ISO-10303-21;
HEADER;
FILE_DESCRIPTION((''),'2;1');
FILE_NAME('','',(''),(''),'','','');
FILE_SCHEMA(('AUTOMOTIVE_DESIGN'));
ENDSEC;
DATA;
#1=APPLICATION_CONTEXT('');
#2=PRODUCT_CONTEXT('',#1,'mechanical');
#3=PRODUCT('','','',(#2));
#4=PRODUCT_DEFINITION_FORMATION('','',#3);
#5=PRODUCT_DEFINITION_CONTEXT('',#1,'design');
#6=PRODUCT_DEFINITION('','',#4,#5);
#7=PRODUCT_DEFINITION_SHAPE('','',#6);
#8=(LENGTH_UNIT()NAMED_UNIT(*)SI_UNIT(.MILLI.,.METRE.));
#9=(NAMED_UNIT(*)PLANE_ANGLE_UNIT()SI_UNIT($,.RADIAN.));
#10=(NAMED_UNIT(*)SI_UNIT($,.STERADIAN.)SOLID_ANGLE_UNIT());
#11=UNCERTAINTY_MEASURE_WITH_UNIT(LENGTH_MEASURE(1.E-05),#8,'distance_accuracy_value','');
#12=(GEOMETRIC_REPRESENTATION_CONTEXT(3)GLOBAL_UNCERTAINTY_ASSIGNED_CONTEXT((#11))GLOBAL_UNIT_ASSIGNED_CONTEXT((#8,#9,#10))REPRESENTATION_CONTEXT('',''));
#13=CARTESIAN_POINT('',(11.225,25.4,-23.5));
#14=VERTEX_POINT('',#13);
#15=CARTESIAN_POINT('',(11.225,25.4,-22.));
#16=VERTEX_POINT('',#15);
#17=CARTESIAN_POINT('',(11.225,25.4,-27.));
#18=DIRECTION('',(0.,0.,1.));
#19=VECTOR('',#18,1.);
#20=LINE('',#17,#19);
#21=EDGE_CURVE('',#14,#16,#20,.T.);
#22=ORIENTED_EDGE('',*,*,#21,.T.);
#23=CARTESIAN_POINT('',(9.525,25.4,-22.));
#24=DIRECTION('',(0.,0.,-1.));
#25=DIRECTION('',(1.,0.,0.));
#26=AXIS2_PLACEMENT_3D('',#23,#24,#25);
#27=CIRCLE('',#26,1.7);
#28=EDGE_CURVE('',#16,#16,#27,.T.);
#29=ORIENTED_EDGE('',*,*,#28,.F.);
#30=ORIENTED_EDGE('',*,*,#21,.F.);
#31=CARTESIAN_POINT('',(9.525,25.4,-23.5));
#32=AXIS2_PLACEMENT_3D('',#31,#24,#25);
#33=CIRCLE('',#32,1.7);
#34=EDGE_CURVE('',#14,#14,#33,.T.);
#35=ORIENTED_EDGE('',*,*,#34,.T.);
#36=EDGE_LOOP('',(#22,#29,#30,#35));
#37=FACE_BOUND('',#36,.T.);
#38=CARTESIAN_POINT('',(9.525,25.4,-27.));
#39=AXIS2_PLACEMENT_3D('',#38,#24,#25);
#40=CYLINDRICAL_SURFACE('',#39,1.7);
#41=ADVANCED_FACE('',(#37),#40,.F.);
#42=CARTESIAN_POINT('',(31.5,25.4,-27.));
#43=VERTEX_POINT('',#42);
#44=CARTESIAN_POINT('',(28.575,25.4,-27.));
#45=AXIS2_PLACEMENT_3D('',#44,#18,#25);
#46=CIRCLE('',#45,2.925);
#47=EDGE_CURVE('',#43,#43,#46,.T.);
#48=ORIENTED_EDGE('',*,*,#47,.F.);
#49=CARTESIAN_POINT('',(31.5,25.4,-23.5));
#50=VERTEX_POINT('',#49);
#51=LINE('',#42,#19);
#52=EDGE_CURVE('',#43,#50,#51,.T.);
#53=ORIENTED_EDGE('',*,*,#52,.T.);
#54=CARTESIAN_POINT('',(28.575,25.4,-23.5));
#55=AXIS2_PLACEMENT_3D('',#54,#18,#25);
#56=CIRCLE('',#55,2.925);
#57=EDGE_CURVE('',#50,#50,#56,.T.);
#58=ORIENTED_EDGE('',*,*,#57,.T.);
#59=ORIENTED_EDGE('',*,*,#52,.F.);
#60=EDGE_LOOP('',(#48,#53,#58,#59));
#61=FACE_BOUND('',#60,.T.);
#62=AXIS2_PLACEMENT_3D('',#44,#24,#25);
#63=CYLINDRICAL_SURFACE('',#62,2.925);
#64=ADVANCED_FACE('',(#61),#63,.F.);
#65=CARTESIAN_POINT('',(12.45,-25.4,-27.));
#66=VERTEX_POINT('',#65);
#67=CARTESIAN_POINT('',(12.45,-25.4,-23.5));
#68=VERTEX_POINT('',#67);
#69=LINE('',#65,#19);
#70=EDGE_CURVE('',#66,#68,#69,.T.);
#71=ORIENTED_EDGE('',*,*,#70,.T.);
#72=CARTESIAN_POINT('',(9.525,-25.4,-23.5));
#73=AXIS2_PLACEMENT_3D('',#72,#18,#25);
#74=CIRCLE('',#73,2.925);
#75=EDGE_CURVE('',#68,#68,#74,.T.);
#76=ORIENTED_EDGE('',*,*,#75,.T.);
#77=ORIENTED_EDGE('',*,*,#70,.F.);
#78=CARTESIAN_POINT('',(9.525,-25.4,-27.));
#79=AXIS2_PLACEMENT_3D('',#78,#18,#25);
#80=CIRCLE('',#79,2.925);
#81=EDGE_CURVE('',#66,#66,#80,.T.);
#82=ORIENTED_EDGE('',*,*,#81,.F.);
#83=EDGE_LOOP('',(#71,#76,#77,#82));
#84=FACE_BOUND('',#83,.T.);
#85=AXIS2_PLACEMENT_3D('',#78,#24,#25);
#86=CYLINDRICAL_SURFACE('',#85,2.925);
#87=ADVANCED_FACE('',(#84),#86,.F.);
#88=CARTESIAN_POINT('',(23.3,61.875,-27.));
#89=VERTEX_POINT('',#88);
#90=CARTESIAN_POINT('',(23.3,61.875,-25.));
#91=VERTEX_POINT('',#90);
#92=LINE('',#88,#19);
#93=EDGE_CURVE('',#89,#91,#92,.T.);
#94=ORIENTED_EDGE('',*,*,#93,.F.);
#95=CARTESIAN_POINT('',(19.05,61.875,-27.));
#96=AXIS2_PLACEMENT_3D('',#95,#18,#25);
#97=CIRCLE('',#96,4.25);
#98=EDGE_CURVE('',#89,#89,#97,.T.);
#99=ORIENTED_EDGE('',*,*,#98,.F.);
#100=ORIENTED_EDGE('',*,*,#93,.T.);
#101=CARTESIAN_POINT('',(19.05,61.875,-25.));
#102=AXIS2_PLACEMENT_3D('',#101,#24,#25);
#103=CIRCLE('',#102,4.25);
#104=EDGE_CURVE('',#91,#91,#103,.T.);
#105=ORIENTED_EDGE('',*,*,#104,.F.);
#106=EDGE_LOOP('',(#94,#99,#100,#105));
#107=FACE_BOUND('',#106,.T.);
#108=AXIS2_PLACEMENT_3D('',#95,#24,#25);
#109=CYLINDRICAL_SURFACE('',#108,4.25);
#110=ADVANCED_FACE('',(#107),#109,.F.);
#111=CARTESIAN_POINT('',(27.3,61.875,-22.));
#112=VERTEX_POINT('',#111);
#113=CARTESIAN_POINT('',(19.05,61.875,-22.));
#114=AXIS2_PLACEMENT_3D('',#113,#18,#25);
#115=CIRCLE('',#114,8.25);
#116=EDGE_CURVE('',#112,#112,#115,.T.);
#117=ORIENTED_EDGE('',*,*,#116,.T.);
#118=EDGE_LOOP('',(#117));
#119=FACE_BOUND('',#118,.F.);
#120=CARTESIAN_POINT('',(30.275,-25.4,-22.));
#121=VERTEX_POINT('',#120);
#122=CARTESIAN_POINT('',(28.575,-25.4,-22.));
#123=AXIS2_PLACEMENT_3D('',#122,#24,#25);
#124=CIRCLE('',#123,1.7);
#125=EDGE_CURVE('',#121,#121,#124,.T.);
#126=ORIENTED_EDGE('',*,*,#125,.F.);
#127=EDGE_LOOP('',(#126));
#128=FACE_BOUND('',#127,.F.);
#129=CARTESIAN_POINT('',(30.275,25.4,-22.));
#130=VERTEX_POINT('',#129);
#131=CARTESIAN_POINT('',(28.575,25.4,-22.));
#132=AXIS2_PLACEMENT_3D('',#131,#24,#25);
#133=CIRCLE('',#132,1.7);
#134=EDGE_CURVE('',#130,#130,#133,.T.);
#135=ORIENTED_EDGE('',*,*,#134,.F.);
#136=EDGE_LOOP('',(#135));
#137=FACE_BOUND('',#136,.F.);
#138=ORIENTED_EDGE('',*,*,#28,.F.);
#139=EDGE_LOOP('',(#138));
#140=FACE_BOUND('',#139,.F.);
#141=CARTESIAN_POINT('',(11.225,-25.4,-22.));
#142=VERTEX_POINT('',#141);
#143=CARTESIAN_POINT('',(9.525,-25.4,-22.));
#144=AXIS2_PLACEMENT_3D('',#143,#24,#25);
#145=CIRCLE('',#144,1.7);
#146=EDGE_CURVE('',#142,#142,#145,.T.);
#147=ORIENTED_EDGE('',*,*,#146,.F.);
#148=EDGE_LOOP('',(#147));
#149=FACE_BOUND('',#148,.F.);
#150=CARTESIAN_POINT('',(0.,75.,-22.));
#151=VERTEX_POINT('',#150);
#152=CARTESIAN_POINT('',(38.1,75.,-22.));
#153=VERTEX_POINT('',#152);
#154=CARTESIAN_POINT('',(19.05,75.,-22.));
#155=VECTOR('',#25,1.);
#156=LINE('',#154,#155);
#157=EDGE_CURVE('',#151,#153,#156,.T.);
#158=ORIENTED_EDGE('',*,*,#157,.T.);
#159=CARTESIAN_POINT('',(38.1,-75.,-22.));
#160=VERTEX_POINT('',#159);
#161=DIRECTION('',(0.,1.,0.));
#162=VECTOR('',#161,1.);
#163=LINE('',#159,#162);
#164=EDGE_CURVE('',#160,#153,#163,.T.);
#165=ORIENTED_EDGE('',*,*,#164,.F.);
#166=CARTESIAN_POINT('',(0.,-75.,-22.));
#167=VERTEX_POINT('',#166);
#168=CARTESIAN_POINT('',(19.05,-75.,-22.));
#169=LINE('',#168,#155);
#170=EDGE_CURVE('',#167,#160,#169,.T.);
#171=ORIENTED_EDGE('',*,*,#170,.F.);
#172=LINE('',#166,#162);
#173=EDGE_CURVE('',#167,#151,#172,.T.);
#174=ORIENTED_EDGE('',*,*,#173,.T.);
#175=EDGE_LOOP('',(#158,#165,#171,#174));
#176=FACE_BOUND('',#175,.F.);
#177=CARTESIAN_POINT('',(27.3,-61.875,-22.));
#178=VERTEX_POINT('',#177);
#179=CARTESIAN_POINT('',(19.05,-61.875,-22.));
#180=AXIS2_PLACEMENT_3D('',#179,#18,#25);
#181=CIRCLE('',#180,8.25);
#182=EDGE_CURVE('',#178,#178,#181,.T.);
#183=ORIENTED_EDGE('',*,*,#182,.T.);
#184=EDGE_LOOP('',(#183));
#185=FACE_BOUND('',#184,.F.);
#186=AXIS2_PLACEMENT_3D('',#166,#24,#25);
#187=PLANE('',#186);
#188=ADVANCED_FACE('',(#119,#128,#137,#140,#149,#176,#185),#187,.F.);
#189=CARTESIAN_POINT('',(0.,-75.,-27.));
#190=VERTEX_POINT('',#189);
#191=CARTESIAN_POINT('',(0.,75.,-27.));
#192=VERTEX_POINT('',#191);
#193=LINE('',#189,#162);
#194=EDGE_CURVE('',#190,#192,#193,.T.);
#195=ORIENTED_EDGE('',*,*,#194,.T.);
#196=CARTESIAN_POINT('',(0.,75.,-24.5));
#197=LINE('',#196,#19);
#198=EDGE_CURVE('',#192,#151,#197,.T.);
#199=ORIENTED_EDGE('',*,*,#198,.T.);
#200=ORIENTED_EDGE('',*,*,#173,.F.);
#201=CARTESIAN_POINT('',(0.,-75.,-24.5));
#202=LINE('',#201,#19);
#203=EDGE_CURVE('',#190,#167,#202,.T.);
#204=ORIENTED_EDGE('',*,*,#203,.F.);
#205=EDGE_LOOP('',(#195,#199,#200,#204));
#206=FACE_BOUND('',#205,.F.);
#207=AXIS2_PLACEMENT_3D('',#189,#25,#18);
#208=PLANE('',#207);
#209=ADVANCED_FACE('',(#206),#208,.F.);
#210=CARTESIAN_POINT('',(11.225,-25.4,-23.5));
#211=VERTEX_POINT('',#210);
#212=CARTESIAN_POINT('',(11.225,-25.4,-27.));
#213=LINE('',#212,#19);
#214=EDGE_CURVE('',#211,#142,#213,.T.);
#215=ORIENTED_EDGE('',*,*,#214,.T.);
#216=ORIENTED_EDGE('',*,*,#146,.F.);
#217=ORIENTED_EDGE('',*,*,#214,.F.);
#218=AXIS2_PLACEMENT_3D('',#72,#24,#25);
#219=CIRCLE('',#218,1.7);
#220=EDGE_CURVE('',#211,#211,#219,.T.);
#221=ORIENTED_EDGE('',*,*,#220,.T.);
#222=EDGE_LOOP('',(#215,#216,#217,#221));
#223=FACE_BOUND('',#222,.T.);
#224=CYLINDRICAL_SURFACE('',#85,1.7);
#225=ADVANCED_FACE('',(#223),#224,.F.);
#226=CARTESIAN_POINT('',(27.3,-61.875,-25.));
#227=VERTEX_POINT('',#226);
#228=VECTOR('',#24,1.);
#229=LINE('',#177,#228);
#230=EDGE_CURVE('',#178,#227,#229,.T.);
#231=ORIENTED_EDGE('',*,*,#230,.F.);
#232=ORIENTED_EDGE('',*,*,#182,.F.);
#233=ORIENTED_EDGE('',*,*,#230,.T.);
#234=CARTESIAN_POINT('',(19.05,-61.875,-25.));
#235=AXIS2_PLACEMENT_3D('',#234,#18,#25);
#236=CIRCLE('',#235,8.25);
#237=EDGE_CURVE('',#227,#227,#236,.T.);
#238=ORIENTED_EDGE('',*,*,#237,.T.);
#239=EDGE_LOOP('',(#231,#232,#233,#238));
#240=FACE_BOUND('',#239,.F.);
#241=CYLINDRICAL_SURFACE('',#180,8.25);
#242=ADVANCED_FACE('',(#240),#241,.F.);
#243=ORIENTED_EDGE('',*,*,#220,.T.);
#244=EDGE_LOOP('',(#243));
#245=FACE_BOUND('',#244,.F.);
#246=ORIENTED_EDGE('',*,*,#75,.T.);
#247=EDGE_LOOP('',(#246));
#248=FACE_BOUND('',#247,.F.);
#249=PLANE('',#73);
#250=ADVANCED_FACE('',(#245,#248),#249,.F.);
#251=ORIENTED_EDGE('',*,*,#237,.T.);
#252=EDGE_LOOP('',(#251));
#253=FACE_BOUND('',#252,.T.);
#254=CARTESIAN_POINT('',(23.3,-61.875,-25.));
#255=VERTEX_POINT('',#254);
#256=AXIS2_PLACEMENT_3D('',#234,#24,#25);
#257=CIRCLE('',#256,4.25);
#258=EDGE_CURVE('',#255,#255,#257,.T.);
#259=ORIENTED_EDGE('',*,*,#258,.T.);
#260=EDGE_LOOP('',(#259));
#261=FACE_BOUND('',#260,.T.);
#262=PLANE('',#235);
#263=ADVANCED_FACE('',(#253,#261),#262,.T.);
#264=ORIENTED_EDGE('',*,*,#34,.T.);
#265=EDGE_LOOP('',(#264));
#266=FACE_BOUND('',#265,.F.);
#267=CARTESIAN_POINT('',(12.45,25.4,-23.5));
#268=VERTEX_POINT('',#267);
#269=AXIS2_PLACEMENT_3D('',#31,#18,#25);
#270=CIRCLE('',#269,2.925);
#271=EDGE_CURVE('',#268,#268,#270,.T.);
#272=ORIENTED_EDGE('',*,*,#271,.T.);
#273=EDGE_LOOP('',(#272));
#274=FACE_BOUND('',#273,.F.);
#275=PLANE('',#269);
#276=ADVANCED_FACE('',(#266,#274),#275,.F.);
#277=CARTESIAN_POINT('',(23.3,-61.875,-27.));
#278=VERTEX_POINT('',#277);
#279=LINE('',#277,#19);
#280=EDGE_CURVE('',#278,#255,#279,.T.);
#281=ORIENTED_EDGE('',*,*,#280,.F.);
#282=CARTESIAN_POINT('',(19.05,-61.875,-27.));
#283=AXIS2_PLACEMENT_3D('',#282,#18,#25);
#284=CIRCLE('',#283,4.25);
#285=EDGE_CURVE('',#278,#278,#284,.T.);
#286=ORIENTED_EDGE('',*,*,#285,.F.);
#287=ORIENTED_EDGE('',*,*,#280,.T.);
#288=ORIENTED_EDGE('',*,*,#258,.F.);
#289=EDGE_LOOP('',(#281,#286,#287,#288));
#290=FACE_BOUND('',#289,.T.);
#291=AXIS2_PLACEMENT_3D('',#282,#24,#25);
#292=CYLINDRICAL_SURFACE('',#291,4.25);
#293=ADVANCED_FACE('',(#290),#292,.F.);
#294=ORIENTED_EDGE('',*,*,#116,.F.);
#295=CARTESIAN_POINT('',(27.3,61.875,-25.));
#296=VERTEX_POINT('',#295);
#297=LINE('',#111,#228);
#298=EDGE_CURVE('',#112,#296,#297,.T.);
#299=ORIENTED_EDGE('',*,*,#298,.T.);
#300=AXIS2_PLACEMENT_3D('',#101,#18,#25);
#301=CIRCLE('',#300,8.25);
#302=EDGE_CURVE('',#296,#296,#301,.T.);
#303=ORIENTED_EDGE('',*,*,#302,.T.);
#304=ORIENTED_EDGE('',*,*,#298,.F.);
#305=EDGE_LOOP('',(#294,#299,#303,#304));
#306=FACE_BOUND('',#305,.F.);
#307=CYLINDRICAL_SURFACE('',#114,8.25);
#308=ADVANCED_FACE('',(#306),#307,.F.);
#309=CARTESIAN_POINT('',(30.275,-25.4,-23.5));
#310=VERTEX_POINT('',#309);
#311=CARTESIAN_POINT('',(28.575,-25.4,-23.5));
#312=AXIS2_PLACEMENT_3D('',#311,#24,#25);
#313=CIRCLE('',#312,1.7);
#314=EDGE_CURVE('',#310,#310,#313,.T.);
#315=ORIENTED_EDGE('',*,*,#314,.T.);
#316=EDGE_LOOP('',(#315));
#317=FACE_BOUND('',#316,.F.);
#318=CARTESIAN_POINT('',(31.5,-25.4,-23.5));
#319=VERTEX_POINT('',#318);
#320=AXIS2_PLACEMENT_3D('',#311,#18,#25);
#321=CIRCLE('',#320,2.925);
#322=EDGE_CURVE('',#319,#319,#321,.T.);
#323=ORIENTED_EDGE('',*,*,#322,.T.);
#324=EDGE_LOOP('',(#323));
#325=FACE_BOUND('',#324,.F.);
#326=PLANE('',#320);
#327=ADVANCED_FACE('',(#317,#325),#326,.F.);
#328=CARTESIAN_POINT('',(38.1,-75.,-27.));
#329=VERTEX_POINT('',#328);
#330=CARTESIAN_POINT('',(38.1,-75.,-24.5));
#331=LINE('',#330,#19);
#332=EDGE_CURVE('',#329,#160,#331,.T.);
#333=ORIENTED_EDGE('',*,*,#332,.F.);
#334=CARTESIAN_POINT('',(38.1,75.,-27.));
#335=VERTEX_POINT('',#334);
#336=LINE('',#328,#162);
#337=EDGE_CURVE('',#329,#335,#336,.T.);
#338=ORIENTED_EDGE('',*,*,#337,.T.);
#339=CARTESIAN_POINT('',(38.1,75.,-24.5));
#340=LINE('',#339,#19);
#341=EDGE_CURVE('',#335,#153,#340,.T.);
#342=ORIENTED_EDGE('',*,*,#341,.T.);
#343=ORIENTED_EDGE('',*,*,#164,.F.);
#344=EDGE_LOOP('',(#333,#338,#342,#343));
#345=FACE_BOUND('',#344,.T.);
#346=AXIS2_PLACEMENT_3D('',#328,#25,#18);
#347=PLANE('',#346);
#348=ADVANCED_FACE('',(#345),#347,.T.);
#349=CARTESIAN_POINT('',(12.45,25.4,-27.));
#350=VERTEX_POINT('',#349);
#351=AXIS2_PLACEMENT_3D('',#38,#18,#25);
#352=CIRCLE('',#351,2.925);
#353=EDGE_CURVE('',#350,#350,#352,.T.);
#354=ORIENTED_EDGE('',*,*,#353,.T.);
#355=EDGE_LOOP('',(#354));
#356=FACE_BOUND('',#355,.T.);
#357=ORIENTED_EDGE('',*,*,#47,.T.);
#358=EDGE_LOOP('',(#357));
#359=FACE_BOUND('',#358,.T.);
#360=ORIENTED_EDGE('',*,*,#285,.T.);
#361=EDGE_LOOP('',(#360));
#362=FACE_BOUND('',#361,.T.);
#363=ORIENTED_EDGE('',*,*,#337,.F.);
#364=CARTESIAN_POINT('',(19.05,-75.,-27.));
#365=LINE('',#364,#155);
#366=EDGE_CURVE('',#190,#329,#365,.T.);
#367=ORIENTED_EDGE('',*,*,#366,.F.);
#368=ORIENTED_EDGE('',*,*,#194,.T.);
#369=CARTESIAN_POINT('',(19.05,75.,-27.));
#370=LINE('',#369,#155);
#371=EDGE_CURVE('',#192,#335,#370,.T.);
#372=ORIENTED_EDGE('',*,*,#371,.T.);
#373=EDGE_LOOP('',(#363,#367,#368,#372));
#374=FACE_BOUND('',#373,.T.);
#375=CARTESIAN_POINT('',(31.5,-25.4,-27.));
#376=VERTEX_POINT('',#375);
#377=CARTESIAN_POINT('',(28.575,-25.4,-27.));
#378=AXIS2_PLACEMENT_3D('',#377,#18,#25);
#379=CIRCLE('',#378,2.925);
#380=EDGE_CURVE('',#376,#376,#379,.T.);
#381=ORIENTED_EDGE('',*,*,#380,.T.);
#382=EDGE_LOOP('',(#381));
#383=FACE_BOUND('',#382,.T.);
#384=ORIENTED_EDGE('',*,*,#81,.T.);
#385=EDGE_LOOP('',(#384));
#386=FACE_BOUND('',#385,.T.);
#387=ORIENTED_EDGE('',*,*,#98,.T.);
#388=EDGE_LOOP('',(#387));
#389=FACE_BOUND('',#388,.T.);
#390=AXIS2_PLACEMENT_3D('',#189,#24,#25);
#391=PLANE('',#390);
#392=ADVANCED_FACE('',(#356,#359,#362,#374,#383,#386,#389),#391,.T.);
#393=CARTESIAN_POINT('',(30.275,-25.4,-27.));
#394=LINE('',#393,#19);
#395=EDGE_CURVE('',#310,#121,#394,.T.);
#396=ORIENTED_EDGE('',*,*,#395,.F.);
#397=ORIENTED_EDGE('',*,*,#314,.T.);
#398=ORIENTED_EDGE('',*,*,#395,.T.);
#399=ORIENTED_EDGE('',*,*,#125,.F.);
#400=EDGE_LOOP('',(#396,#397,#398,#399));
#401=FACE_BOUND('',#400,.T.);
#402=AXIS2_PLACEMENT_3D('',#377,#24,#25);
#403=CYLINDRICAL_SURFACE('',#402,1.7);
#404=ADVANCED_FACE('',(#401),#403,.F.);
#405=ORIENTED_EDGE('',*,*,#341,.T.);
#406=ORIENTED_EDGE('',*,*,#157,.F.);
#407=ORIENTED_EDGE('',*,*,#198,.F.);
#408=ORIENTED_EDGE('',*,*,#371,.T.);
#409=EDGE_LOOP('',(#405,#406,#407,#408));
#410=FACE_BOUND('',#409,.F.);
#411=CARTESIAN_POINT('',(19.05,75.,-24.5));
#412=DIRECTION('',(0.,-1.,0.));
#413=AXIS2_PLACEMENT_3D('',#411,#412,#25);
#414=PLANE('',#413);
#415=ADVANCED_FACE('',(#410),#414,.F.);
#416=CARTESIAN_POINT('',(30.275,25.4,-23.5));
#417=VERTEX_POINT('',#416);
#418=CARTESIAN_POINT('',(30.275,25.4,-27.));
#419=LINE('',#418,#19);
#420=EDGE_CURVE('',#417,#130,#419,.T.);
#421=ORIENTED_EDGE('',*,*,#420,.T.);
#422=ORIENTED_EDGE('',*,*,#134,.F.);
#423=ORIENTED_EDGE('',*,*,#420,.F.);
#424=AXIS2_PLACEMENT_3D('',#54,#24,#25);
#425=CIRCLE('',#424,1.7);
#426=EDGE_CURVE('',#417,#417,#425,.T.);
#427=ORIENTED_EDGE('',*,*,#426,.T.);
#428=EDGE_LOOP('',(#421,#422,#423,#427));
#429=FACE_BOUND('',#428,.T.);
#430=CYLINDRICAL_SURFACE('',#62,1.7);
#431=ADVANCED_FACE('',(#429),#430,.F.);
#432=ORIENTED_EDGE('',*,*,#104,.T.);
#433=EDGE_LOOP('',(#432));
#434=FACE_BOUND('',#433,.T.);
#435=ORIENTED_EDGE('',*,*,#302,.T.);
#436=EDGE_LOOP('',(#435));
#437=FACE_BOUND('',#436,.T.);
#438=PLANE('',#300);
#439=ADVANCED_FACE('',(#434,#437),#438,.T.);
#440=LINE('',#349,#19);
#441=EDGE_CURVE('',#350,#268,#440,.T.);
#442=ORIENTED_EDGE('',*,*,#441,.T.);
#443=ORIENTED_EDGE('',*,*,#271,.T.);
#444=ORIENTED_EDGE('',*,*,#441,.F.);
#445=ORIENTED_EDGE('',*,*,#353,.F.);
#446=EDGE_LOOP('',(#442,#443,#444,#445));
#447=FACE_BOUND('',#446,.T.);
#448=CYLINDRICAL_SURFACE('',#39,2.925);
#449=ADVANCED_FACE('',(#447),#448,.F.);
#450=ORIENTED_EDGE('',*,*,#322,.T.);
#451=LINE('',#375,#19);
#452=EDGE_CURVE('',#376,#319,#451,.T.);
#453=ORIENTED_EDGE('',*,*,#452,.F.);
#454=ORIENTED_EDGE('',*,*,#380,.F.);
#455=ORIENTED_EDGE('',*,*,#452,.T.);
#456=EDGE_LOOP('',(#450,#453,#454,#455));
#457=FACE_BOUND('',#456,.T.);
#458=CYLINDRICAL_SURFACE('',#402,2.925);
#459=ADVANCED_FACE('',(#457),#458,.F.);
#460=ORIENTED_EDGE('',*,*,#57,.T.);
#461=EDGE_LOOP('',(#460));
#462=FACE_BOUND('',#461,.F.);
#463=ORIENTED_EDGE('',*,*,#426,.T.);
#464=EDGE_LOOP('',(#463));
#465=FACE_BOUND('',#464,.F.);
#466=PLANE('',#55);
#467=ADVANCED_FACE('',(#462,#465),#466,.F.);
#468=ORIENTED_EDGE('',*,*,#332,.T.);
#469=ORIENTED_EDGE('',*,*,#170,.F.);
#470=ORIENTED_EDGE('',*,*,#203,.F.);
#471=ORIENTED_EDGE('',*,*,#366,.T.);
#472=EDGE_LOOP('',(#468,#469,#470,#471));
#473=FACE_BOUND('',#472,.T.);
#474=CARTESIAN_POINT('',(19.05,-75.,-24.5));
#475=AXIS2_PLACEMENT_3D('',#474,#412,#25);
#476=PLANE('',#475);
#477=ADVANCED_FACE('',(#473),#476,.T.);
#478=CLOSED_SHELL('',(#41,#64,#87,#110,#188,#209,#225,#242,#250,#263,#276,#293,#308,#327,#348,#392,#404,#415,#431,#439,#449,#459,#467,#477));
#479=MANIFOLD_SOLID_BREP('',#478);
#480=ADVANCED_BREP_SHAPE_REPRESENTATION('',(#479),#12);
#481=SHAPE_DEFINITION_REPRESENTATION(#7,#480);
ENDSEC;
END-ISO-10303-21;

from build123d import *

# Parameters (mm, degrees)
SKETCH015_W     = 38.1
SKETCH015_H     = 5
PAD002_DEPTH    = 150
SKETCH016_R     = 4.25
POCKET004_DEPTH = 5.001
SKETCH017_R     = 8.25
POCKET005_DEPTH = 3
SKETCH018_R     = 1.7
POCKET006_DEPTH = 5.001
SKETCH019_R     = 2.925
POCKET007_DEPTH = 3.5


with BuildPart() as part:
    # Sketch015 → Pad002 (new body)
    with BuildSketch(Plane.XZ.offset(75)):
        with Locations((19.05, 2.5)):
            Rectangle(SKETCH015_W, SKETCH015_H)
    extrude(amount=-PAD002_DEPTH)

    # Sketch016 → Pocket004 (cut, through all)
    with BuildSketch(Plane.XY):
        with Locations((19.05, 61.875)):
            Circle(SKETCH016_R)
        with Locations((19.05, -61.875)):
            Circle(SKETCH016_R)
    extrude(amount=POCKET004_DEPTH, mode=Mode.SUBTRACT)

    # Sketch017 → Pocket005 (cut)
    with BuildSketch(Plane.XY.offset(5)):
        with Locations((19.05, 61.875)):
            Circle(SKETCH017_R)
        with Locations((19.05, -61.875)):
            Circle(SKETCH017_R)
    extrude(amount=-POCKET005_DEPTH, mode=Mode.SUBTRACT)

    # Sketch018 → Pocket006 (cut, through all)
    with BuildSketch(Plane.XY):
        with Locations((9.525, 25.4)):
            Circle(SKETCH018_R)
        with Locations((28.575, 25.4)):
            Circle(SKETCH018_R)
        with Locations((9.525, -25.4)):
            Circle(SKETCH018_R)
        with Locations((28.575, -25.4)):
            Circle(SKETCH018_R)
    extrude(amount=POCKET006_DEPTH, mode=Mode.SUBTRACT)

    # Sketch019 → Pocket007 (cut)
    with BuildSketch(Plane.XY):
        with Locations((9.525, 25.4)):
            Circle(SKETCH019_R)
        with Locations((28.575, 25.4)):
            Circle(SKETCH019_R)
        with Locations((9.525, -25.4)):
            Circle(SKETCH019_R)
        with Locations((28.575, -25.4)):
            Circle(SKETCH019_R)
    extrude(amount=POCKET007_DEPTH, mode=Mode.SUBTRACT)


with BuildPart() as part_1:
    # Body001 placement: moved
    add(part.part.moved(Location((0, 0, -27))))


solid = part_1.part
